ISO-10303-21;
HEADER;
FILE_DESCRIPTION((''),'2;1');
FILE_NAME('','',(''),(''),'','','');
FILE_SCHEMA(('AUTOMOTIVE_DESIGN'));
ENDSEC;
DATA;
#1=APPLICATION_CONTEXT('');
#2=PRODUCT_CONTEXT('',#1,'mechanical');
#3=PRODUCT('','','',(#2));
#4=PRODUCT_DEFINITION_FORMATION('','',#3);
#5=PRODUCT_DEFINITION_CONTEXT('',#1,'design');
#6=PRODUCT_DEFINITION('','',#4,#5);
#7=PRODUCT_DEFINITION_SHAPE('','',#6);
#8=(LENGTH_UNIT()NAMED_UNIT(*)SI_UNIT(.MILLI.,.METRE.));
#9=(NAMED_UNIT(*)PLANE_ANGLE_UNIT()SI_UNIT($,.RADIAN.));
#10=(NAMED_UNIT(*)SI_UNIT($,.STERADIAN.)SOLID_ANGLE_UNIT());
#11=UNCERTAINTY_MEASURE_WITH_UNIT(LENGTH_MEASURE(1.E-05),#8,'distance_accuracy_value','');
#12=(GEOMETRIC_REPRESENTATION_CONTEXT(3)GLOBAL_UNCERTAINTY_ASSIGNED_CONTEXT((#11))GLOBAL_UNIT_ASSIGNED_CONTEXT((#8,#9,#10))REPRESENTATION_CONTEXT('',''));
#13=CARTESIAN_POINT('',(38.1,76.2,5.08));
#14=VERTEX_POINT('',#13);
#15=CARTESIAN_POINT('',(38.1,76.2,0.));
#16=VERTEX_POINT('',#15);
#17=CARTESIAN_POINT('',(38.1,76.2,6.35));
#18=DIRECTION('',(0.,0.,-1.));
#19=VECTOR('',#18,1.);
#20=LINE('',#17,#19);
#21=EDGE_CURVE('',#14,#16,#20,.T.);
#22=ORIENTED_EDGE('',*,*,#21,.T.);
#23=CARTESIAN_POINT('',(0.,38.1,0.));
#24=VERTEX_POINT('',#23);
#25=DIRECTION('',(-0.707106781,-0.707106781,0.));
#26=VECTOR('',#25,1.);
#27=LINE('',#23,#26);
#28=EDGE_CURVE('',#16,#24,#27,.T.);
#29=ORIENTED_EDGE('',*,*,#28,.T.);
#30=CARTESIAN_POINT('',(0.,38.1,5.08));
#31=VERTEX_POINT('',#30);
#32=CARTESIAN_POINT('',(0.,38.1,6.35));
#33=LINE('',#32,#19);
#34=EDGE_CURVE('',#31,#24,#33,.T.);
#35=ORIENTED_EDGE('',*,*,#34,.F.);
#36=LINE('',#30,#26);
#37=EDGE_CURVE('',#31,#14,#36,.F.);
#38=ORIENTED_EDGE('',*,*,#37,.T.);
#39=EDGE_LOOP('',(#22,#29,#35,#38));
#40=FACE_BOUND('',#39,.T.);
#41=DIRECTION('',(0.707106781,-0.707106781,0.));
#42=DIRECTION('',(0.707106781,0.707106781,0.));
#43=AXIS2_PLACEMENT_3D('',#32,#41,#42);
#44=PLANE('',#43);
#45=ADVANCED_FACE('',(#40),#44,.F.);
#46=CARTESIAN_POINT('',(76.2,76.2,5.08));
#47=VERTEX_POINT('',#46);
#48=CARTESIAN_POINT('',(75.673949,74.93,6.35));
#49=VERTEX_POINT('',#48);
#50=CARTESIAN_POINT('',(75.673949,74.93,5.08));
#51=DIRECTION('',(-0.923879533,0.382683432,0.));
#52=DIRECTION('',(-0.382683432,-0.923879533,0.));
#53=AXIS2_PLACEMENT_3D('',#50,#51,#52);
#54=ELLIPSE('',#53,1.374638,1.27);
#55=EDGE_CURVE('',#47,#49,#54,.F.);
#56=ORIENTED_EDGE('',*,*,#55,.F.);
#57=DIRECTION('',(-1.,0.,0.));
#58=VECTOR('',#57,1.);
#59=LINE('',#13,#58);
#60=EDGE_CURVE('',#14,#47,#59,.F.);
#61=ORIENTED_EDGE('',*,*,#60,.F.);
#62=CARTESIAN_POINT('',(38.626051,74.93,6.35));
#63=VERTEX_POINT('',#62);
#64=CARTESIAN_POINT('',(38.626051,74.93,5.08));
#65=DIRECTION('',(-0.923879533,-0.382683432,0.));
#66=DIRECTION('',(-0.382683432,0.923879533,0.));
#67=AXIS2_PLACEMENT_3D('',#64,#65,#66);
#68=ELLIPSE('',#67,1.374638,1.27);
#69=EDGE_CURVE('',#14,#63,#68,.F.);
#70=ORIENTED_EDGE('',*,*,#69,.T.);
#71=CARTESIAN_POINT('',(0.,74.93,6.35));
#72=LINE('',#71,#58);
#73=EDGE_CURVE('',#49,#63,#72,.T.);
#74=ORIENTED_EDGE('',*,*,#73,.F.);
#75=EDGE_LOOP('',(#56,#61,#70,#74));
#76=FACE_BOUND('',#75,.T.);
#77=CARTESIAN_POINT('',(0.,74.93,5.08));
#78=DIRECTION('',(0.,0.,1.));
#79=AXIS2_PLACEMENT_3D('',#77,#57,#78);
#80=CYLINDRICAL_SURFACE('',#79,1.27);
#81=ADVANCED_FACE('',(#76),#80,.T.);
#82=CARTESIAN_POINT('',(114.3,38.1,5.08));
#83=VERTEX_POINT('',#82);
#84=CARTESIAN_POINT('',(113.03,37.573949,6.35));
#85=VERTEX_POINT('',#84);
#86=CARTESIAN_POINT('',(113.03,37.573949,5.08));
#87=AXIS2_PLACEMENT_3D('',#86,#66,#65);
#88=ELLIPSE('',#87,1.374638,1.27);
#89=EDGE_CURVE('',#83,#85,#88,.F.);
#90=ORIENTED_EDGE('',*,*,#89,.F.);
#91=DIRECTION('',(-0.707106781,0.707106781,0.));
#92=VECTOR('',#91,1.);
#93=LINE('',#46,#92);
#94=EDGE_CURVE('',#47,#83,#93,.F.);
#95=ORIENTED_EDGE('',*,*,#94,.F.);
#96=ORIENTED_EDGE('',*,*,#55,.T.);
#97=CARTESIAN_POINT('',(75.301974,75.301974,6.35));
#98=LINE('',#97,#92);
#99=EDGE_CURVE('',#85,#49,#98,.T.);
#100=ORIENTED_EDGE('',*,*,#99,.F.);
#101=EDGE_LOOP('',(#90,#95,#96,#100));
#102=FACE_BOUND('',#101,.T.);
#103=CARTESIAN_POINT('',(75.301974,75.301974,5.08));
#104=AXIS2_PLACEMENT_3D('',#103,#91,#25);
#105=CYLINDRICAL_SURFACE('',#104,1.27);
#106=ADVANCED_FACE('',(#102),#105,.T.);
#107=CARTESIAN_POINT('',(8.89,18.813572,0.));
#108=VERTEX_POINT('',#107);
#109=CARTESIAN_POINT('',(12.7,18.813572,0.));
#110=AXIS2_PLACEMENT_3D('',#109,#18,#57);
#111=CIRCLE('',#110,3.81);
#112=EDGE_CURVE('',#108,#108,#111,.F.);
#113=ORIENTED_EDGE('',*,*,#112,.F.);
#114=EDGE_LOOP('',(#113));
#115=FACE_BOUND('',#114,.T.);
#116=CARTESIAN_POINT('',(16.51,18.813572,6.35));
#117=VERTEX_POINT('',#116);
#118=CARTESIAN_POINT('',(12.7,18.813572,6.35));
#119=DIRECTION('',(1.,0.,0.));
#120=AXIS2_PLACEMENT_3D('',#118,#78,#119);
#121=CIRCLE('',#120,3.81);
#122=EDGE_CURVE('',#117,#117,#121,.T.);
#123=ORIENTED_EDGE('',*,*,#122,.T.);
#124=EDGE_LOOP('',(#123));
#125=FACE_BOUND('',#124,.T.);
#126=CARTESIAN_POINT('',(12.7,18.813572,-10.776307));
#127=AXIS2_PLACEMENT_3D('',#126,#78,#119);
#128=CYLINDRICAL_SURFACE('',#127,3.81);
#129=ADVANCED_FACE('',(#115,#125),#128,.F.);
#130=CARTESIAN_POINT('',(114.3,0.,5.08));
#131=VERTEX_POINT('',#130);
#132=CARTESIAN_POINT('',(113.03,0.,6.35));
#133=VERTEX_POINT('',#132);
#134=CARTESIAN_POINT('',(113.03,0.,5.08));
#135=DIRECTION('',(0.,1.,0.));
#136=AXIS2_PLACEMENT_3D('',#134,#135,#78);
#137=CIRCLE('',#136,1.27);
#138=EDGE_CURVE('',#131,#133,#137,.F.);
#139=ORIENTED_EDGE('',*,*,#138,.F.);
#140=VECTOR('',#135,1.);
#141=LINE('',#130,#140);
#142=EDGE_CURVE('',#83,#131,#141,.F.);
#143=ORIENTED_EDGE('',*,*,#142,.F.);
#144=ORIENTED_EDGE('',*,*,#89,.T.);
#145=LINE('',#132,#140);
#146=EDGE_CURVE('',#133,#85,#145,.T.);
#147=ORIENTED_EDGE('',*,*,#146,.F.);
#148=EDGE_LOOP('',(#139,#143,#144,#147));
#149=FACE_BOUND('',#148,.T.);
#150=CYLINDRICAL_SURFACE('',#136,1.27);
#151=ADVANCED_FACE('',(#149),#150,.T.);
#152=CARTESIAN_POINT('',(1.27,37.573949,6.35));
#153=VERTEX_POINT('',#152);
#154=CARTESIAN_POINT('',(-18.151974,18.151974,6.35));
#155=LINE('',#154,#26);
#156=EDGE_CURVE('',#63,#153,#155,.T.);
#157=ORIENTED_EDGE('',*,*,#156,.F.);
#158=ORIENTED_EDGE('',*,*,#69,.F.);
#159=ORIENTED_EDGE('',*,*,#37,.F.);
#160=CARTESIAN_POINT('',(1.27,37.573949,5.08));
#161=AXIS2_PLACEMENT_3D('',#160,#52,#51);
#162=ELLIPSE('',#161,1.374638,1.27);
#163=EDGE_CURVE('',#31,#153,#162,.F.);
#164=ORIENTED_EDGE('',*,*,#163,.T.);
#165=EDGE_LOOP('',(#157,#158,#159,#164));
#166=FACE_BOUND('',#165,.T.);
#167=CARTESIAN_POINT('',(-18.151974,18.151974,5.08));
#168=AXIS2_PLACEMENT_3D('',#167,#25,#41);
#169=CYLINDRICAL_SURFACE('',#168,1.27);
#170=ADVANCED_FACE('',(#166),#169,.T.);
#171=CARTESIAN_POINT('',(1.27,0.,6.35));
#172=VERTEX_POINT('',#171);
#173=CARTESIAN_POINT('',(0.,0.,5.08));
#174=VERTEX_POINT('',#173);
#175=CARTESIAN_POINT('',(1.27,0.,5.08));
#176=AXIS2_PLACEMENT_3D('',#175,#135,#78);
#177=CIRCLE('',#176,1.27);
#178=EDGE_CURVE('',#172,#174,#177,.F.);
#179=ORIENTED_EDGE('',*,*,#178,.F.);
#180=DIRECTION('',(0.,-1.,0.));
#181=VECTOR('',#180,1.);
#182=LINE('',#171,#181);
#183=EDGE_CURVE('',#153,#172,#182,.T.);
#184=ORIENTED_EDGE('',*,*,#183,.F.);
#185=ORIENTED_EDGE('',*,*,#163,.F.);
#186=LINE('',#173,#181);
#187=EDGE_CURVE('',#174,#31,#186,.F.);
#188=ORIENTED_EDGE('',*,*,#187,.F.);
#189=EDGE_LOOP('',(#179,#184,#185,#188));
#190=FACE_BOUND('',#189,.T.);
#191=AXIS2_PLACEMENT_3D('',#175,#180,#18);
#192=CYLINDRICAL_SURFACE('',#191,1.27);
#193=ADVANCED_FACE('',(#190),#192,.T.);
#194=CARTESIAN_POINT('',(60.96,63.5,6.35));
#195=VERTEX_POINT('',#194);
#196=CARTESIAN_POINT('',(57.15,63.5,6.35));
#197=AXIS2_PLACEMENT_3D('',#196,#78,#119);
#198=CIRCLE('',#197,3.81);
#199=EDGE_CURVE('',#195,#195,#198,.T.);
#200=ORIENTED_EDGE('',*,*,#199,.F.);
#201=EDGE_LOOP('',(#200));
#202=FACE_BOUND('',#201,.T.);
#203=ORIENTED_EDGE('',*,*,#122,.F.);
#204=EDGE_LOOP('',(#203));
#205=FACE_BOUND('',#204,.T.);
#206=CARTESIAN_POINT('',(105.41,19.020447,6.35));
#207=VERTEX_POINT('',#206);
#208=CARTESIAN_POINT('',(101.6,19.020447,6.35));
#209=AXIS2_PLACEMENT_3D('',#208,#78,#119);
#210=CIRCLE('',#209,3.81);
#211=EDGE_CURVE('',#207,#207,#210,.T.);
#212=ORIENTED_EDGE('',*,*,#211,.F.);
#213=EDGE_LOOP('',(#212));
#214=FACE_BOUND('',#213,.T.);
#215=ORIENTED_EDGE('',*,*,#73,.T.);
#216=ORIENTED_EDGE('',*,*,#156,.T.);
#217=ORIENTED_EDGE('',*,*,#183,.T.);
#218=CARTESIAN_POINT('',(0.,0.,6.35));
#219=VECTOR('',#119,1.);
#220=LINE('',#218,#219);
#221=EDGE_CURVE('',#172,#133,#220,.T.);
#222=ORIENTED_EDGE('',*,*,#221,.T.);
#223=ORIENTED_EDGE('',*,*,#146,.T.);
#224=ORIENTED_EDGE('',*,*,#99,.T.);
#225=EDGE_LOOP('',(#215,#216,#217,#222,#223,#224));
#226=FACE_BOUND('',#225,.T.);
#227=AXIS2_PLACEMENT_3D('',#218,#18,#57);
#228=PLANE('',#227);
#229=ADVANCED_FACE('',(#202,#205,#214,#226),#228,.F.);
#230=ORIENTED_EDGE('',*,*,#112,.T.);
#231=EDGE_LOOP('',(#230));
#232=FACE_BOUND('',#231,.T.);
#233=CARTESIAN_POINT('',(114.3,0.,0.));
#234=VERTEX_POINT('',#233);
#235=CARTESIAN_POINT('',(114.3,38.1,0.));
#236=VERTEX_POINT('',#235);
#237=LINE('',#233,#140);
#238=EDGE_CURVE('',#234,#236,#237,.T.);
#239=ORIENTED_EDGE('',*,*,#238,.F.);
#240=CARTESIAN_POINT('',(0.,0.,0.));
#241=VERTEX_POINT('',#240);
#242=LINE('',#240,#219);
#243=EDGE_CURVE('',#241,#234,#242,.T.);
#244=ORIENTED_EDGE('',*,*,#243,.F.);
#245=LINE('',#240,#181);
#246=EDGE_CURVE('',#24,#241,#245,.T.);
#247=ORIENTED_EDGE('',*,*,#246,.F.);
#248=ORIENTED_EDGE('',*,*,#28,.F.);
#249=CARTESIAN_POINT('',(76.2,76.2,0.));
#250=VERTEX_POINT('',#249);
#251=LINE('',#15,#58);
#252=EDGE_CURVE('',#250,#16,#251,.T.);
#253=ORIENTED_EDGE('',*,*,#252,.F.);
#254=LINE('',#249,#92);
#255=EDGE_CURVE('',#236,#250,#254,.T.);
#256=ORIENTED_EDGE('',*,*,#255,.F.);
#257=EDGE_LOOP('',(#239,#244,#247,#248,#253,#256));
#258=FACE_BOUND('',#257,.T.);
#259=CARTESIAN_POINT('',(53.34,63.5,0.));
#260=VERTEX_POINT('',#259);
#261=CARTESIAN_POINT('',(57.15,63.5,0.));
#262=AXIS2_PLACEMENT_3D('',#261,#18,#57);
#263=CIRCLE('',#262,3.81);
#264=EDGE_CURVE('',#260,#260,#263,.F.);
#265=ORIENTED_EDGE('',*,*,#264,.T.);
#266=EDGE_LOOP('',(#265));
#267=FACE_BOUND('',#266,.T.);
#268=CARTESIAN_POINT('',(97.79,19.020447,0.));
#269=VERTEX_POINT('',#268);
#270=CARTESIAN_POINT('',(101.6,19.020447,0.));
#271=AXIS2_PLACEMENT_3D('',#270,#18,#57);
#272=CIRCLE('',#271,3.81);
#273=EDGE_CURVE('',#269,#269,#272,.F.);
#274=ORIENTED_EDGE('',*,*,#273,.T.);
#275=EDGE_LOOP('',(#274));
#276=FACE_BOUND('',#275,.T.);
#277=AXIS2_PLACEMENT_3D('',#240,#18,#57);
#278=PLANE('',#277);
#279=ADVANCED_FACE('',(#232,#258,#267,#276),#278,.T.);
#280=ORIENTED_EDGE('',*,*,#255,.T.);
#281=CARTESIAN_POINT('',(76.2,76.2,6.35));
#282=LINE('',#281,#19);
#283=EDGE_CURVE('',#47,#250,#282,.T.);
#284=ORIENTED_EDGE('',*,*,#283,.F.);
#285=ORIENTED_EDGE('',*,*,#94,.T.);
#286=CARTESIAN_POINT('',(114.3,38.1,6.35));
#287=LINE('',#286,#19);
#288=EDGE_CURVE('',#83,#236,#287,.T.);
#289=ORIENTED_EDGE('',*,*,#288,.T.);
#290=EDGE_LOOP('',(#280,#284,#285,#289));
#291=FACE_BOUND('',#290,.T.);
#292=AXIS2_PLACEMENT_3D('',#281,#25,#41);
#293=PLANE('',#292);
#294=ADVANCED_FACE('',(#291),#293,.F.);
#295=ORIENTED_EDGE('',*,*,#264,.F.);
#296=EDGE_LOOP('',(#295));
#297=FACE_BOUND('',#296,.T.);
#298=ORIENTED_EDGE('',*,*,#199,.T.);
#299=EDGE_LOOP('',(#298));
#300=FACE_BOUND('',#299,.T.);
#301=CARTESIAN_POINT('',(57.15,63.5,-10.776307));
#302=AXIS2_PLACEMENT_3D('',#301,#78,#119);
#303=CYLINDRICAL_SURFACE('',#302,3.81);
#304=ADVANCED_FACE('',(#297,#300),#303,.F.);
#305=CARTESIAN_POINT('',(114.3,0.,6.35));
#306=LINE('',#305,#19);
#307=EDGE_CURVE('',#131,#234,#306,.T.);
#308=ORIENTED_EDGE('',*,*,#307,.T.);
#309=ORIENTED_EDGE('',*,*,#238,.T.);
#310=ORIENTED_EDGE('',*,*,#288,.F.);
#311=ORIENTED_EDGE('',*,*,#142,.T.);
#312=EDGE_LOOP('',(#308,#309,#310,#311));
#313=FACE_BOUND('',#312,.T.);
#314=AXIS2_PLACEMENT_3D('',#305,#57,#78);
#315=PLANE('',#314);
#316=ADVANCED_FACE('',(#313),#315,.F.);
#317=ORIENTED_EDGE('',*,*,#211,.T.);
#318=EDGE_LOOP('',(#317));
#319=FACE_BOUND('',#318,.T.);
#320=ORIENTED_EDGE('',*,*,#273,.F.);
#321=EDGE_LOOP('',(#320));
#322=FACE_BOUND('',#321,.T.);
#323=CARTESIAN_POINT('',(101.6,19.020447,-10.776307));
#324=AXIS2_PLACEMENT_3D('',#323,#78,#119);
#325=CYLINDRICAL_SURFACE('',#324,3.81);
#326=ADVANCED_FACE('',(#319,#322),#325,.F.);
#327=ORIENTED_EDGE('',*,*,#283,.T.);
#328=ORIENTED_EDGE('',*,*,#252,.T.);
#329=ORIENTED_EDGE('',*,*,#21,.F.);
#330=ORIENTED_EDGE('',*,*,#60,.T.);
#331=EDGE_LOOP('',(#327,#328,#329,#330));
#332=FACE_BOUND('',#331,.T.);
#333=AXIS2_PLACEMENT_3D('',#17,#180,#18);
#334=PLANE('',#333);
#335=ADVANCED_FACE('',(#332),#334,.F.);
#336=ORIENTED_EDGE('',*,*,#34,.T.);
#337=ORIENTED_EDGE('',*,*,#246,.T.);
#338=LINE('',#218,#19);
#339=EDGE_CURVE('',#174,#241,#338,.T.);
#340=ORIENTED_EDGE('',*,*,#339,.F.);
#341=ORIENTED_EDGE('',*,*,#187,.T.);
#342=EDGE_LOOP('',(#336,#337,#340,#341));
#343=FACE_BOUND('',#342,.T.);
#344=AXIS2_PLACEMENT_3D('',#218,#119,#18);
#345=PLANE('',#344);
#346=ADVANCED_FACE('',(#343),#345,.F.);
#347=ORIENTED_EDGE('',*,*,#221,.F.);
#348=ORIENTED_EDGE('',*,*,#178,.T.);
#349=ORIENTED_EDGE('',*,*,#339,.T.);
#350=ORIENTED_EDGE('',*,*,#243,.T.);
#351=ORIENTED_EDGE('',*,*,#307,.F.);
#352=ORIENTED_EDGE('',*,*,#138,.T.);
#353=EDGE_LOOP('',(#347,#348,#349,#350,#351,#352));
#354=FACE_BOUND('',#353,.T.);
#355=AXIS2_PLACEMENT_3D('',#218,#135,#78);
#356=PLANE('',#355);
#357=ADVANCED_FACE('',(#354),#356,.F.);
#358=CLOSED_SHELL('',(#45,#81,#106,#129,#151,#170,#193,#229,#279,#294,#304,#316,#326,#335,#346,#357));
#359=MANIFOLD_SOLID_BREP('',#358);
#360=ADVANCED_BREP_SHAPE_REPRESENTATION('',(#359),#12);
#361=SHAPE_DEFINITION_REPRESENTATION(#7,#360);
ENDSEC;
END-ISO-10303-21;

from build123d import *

# Parameters (mm, degrees)
BOSS_EXTRUDE1_DEPTH = 6.35
FILLET1_R           = 1.27
SKETCH3_R           = 3.81
CUT_EXTRUDE1_DEPTH  = 6.35


with BuildPart() as part:
    # Sketch1 → Boss-Extrude1 (new body)
    with BuildSketch(Plane.XY):
        Polygon((0, 38.1), (38.1, 76.2), (76.2, 76.2), (114.3, 38.1), (114.3, 0), (0, 0), align=None)
    extrude(amount=BOSS_EXTRUDE1_DEPTH)

    # Fillet1
    fillet1_edges = [part.edges().sort_by_distance(p)[0] for p in [
        (114.3, 19.05, 6.35),
        (95.25, 57.15, 6.35),
        (57.15, 76.2, 6.35),
        (19.05, 57.15, 6.35),
        (0, 19.05, 6.35),
    ]]
    fillet(fillet1_edges, radius=FILLET1_R)

    # Sketch3 → Cut-Extrude1 (cut)
    with BuildSketch(Plane.XY.offset(6.35)):
        with Locations((12.7, 18.813572483)):
            Circle(SKETCH3_R)
        with Locations((101.6, 19.02044656)):
            Circle(SKETCH3_R)
        with Locations((57.15, 63.5)):
            Circle(SKETCH3_R)
    extrude(amount=-CUT_EXTRUDE1_DEPTH, mode=Mode.SUBTRACT)


solid = part.part
